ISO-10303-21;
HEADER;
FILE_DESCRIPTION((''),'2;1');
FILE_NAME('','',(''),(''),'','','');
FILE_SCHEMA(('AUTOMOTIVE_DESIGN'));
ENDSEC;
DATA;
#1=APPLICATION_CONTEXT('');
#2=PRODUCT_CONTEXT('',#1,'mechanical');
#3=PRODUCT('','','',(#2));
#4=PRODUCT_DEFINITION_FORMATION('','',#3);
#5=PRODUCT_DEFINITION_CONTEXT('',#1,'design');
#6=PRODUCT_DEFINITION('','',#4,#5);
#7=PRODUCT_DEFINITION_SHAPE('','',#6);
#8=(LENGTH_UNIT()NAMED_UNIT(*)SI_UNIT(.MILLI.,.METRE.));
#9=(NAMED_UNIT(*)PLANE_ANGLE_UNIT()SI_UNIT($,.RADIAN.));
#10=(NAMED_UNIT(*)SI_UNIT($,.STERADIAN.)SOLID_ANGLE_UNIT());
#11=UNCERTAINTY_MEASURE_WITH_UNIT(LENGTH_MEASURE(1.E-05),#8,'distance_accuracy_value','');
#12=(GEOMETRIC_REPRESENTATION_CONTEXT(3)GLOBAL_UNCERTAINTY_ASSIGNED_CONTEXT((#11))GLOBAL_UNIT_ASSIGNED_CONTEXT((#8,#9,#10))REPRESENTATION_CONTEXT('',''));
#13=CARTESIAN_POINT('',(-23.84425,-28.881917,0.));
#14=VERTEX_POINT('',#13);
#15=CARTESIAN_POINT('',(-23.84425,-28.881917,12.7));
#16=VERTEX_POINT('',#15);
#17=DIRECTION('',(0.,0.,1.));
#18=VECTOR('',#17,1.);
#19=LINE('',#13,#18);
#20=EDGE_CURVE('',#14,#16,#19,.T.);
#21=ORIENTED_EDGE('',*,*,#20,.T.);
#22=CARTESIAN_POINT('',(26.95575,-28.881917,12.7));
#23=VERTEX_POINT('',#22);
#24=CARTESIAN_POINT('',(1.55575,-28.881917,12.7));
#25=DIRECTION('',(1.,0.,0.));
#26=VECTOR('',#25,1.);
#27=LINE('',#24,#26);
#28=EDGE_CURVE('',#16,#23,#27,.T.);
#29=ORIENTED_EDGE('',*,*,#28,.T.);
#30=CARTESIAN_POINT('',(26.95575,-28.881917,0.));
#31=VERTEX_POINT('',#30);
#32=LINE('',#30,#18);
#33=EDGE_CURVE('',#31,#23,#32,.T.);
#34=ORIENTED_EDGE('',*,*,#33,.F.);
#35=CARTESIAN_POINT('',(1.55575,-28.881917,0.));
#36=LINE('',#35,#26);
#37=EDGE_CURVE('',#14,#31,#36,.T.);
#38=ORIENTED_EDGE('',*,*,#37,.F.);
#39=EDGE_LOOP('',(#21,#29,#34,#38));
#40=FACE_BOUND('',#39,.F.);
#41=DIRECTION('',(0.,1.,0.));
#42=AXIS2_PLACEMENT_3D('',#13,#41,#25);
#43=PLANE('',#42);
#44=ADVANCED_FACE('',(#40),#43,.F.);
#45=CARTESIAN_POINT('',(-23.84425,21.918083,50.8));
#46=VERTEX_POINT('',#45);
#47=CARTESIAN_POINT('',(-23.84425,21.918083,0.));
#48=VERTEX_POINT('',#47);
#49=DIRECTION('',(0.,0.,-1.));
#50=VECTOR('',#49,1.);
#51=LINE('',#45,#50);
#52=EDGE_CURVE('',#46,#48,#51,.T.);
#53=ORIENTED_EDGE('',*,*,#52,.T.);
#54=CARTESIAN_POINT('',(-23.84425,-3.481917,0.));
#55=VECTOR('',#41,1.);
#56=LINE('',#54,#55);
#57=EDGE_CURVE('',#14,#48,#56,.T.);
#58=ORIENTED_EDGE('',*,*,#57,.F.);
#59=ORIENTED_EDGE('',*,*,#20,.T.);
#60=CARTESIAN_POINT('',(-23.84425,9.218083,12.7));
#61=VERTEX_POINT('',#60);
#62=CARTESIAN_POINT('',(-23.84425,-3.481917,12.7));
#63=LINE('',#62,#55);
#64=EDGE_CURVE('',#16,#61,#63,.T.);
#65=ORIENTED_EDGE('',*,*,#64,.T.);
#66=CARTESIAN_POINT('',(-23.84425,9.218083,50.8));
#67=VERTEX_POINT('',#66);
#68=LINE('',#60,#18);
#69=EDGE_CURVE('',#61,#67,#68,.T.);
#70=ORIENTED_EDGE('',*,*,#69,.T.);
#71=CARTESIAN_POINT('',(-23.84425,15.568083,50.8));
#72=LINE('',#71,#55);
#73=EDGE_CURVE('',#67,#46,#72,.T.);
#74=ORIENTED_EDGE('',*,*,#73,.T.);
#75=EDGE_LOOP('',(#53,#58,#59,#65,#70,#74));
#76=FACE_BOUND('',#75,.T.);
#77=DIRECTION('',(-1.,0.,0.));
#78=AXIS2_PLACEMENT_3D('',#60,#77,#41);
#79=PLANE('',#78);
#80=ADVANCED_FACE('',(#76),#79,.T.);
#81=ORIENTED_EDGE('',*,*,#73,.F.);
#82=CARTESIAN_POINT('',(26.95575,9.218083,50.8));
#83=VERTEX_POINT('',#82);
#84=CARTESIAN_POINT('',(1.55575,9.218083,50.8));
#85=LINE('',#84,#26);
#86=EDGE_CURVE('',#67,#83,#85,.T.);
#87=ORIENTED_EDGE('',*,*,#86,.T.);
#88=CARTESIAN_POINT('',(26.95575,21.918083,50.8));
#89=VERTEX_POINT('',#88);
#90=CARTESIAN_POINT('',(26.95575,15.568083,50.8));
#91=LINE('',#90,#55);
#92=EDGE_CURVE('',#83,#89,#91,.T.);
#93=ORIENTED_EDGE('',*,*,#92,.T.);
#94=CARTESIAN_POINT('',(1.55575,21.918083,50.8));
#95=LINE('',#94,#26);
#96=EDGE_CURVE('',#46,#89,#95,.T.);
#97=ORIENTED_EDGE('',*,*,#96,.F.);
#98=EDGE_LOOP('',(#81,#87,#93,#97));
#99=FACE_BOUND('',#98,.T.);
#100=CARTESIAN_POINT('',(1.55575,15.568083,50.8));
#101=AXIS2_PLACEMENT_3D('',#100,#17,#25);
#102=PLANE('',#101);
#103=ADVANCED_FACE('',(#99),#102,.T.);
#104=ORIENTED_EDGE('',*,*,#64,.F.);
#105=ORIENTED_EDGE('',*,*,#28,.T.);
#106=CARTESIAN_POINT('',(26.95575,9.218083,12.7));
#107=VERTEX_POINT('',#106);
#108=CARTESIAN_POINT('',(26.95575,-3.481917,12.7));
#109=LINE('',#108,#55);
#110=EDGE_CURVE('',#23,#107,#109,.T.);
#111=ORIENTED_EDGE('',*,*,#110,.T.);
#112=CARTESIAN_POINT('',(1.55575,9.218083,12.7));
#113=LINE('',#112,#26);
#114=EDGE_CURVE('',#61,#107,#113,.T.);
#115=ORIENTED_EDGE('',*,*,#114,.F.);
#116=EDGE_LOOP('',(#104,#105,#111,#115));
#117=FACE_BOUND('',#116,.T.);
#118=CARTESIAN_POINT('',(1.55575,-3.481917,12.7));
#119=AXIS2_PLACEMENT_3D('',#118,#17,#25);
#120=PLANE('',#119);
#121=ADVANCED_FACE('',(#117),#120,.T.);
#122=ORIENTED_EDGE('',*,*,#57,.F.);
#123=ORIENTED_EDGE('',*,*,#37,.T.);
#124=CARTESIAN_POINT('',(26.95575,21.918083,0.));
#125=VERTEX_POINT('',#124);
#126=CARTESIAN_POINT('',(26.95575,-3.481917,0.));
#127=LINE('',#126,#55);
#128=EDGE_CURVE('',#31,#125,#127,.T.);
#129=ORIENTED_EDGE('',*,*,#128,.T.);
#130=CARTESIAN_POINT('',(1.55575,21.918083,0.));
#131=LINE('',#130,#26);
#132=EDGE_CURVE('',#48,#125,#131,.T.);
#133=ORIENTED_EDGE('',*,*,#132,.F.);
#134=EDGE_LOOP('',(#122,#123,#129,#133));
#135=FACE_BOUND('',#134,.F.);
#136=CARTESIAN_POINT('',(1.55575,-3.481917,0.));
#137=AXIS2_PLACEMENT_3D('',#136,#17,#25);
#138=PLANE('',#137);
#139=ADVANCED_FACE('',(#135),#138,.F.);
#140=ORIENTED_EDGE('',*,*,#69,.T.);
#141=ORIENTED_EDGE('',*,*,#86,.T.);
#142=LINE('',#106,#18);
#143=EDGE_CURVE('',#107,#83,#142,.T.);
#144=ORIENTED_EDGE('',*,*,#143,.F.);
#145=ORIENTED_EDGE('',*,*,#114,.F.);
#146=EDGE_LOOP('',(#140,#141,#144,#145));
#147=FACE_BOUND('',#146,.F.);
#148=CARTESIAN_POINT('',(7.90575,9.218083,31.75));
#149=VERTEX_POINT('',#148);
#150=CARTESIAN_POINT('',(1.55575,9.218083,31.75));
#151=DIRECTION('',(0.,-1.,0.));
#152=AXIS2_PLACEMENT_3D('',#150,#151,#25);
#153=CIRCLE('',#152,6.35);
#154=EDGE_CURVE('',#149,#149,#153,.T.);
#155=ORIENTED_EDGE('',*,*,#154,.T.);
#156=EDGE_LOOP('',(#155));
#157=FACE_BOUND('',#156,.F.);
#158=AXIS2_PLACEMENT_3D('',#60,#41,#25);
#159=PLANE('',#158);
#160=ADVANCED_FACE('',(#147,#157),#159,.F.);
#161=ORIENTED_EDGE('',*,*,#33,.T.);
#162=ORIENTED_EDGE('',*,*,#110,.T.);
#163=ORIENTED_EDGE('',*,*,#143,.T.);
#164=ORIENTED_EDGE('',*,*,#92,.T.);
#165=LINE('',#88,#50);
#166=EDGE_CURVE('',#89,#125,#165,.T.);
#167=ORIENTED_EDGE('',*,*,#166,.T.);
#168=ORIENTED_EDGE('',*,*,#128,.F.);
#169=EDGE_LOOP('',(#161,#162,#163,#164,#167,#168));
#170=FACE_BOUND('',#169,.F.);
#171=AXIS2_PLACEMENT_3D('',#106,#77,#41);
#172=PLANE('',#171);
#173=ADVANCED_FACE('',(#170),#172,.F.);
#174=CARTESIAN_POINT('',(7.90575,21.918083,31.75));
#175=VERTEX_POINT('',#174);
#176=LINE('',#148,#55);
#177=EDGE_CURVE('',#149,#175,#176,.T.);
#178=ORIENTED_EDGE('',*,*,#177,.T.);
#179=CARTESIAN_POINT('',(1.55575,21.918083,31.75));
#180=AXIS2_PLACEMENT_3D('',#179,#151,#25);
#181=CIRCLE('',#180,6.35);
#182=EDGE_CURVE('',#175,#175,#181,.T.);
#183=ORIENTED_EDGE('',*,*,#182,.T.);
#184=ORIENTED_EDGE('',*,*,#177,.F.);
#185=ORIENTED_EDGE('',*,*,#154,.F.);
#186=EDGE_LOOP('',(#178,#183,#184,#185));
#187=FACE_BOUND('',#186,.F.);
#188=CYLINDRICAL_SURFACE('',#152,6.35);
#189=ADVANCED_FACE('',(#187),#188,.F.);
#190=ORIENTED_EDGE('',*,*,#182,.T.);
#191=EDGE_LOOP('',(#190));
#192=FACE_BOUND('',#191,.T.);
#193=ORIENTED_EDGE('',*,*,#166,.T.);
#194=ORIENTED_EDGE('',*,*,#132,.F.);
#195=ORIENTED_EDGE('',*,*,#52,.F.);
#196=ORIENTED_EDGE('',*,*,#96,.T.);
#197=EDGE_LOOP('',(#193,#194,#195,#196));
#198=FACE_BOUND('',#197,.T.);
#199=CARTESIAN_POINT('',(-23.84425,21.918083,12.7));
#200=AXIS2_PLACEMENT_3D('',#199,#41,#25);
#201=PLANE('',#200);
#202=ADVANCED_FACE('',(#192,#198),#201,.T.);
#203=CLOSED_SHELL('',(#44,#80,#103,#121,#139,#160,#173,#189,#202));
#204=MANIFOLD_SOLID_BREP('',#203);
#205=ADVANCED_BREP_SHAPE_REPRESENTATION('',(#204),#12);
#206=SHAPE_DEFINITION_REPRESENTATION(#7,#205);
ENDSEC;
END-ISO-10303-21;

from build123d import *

# Parameters (mm, degrees)
F0_W     = 50.8
F0_H     = 50.8
F1_DEPTH = 12.7
F2_W     = 50.8
F2_H     = 12.7
F3_DEPTH = 38.1
F4_R     = 6.35
F5_DEPTH = 25.4


with BuildPart() as f1:
    # F0 (on Top) → F1 (new body)
    with BuildSketch(Plane.XY):
        with Locations((1.55575, -3.481917)):
            Rectangle(F0_W, F0_H)
    extrude(amount=F1_DEPTH)

    # F2 (on face) → F3 (join)
    with BuildSketch(Plane.XY.offset(12.7)):
        with Locations((1.55575, 15.568083)):
            Rectangle(F2_W, F2_H)
    extrude(amount=F3_DEPTH)

    # F4 (on face) → F5 (cut)
    with BuildSketch(Plane.XZ.offset(-9.218083)):
        with Locations((1.55575, 31.75)):
            Circle(F4_R)
    extrude(amount=-F5_DEPTH, mode=Mode.SUBTRACT)


solid = f1.part
